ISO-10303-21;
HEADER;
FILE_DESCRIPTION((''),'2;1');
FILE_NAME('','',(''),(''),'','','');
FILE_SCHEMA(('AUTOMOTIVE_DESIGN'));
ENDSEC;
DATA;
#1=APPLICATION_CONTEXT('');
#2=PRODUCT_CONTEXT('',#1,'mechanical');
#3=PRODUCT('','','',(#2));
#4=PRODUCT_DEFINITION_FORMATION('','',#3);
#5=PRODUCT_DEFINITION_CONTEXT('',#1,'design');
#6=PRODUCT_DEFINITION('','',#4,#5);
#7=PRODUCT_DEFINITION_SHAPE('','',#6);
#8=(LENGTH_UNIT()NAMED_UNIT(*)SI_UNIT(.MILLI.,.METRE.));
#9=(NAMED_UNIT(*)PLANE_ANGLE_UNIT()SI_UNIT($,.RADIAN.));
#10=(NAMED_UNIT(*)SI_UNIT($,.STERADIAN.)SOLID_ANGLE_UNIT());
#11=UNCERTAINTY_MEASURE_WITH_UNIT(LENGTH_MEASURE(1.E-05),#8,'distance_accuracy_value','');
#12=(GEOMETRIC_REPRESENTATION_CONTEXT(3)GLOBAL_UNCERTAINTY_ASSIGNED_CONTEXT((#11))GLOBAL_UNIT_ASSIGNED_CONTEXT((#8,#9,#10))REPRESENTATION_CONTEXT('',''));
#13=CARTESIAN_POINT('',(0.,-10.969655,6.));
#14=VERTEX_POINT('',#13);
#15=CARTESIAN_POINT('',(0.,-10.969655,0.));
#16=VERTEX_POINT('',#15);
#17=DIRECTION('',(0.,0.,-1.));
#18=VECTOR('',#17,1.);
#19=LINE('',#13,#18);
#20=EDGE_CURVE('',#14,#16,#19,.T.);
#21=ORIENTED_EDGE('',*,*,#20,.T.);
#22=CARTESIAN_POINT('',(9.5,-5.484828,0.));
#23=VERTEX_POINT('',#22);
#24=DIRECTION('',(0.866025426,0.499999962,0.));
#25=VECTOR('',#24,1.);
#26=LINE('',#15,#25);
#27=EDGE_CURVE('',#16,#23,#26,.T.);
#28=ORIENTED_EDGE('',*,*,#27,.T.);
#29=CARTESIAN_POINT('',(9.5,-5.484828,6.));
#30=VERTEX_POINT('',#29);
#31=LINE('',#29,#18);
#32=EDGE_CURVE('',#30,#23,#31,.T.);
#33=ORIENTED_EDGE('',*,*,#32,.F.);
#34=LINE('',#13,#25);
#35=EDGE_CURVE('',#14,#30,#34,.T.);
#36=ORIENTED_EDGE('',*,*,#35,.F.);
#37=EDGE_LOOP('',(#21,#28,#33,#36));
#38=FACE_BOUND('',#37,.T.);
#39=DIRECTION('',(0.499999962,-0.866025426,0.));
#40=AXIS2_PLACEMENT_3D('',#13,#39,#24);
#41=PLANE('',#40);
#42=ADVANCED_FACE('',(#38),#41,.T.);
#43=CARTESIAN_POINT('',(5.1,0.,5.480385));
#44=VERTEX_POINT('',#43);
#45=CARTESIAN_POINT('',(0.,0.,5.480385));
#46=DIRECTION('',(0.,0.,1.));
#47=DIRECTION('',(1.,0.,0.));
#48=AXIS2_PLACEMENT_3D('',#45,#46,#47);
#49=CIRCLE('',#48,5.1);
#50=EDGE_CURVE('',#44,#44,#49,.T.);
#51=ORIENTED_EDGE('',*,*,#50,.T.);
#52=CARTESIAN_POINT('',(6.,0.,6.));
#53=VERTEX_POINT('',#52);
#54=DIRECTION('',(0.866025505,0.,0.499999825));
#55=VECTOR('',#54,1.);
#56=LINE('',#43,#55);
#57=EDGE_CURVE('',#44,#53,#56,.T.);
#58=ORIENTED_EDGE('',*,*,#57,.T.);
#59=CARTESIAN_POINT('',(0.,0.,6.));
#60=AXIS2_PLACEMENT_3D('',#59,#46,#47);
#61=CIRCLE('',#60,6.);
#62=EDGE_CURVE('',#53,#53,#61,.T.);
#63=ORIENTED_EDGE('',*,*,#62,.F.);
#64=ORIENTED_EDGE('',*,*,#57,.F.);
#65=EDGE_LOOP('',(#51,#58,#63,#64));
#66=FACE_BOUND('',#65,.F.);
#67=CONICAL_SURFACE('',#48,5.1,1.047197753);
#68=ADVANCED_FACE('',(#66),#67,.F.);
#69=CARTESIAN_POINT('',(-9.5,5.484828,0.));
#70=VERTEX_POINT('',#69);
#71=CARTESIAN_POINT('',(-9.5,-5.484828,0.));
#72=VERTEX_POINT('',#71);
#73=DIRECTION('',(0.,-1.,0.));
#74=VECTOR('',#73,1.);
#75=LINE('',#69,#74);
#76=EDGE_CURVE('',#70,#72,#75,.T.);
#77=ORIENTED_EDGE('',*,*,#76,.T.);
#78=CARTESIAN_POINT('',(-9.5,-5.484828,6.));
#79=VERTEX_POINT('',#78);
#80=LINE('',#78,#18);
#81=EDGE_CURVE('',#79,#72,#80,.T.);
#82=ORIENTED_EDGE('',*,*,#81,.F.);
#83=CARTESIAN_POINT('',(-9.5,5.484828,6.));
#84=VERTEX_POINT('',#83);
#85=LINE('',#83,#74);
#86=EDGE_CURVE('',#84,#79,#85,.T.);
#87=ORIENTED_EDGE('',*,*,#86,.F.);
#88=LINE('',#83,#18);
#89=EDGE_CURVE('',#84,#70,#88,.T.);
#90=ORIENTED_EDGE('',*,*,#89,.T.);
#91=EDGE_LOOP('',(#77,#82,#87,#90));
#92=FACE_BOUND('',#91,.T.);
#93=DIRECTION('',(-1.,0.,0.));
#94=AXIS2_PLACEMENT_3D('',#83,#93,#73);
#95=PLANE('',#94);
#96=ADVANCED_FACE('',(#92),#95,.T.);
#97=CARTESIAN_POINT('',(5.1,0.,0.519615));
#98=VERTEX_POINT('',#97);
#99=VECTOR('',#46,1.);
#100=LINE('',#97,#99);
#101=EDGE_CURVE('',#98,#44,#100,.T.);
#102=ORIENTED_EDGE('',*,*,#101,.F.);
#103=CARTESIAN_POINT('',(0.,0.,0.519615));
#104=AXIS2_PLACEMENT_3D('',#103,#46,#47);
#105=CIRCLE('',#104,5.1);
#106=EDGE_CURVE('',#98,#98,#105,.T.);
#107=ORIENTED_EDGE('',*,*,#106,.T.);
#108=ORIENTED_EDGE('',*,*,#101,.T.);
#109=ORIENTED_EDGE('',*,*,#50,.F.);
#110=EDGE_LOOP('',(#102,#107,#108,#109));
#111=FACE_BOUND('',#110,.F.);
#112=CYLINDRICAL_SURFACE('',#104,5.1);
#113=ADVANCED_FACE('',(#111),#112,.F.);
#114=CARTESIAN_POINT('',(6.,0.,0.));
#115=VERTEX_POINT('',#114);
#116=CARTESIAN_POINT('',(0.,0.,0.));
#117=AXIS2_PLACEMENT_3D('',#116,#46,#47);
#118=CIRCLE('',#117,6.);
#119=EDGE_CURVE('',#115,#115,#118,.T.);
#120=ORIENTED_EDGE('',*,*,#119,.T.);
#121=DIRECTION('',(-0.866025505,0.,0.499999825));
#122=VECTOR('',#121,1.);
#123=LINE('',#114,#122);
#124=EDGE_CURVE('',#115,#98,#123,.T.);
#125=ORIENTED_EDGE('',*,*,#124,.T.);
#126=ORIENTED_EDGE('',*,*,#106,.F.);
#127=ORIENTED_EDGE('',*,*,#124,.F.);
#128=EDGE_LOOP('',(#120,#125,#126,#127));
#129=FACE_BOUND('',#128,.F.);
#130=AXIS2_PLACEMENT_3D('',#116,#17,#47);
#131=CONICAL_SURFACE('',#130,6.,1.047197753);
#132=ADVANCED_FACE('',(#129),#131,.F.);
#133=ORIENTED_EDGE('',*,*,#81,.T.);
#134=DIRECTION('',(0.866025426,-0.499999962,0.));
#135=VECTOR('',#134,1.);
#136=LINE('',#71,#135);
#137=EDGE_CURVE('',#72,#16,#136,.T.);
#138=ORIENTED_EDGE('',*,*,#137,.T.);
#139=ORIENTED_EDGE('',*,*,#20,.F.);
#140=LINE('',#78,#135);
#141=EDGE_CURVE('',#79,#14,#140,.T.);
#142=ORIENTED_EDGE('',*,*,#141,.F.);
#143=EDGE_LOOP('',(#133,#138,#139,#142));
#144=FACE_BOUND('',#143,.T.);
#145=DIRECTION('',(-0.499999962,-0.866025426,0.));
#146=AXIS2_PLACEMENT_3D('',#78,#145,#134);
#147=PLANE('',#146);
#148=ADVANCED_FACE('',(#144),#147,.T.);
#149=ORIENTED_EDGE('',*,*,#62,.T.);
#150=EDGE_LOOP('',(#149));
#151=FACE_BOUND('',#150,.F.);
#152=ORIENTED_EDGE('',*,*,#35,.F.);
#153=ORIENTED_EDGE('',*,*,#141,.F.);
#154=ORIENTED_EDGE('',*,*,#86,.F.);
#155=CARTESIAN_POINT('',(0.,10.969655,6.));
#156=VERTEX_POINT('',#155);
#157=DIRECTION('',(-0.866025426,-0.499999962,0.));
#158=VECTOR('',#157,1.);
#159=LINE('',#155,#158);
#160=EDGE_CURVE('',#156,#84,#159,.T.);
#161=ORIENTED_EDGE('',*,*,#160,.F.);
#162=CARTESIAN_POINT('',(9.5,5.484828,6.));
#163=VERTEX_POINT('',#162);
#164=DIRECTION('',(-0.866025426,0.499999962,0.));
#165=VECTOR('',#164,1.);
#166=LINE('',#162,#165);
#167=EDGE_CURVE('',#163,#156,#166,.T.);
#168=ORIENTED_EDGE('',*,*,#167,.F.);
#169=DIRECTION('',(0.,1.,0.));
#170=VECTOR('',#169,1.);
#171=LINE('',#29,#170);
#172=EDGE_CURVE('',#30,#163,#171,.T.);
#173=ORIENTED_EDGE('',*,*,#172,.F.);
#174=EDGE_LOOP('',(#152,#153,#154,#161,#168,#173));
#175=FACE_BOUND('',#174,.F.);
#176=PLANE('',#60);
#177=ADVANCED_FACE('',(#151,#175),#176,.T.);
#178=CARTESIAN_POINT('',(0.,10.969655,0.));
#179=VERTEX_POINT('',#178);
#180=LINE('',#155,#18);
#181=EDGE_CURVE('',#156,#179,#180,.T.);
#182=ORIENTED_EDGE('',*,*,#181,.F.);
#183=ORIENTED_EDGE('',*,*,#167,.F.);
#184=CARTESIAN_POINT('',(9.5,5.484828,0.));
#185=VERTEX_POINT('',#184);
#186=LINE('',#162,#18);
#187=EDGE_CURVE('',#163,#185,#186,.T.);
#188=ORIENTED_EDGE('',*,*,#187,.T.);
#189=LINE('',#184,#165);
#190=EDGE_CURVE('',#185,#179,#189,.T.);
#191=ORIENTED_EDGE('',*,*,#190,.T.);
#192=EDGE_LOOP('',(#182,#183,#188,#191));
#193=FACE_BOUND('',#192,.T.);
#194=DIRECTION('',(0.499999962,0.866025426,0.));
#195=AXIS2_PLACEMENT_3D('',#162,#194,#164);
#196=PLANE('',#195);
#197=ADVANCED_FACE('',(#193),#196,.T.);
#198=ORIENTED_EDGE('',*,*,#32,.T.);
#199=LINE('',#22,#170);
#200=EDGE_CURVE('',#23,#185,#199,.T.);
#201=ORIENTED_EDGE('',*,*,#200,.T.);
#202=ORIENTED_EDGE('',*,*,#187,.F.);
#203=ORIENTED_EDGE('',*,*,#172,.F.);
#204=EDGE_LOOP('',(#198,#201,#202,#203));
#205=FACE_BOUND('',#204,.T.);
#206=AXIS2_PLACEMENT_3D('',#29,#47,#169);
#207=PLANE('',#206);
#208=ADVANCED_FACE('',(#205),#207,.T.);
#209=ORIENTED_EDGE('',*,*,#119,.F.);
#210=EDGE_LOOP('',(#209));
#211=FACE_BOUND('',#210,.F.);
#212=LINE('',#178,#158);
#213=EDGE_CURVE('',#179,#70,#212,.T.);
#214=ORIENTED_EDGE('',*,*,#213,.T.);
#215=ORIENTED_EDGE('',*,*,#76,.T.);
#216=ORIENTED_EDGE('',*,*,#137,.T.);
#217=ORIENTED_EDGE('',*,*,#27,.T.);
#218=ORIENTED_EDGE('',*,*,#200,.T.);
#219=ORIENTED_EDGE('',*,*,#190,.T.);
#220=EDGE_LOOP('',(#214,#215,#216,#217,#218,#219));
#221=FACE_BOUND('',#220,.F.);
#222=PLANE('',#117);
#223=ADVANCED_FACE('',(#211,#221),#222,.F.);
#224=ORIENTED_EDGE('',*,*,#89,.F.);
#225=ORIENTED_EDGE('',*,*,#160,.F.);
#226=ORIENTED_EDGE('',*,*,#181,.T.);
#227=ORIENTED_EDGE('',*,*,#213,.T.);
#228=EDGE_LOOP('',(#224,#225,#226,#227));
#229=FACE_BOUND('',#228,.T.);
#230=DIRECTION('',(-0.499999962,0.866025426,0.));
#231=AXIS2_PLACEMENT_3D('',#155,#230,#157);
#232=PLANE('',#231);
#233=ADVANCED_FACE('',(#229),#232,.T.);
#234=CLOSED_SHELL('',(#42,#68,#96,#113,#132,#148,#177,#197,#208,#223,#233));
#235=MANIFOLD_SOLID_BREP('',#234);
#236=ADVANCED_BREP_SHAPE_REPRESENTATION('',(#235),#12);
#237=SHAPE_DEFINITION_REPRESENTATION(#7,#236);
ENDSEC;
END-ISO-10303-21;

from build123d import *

# Parameters (mm, degrees)
SKETCH001_R  = 12
POCKET_DEPTH = 6


with BuildPart() as part:
    # Sketch → Revolution (revolve)
    with BuildSketch(Plane.XZ):
        Polygon((6, 0), (5.1, 0.519615), (5.1, 5.480385), (6, 6), (12, 6), (12, 0), align=None)
    revolve(axis=Axis((0, 0, 0), (0, 0, 1)))

    # Sketch001 → Pocket (cut)
    with BuildSketch(Plane(origin=(0, 0, 6), x_dir=(-1, 0, 0), z_dir=(0, 0, 1))):
        Circle(SKETCH001_R)
        Polygon((-9.5, 5.484828), (-9.5, -5.484828), (0, -10.969655), (9.5, -5.484828), (9.5, 5.484828), (0, 10.969655), align=None, mode=Mode.SUBTRACT)
    extrude(amount=-POCKET_DEPTH, mode=Mode.SUBTRACT)


solid = part.part
